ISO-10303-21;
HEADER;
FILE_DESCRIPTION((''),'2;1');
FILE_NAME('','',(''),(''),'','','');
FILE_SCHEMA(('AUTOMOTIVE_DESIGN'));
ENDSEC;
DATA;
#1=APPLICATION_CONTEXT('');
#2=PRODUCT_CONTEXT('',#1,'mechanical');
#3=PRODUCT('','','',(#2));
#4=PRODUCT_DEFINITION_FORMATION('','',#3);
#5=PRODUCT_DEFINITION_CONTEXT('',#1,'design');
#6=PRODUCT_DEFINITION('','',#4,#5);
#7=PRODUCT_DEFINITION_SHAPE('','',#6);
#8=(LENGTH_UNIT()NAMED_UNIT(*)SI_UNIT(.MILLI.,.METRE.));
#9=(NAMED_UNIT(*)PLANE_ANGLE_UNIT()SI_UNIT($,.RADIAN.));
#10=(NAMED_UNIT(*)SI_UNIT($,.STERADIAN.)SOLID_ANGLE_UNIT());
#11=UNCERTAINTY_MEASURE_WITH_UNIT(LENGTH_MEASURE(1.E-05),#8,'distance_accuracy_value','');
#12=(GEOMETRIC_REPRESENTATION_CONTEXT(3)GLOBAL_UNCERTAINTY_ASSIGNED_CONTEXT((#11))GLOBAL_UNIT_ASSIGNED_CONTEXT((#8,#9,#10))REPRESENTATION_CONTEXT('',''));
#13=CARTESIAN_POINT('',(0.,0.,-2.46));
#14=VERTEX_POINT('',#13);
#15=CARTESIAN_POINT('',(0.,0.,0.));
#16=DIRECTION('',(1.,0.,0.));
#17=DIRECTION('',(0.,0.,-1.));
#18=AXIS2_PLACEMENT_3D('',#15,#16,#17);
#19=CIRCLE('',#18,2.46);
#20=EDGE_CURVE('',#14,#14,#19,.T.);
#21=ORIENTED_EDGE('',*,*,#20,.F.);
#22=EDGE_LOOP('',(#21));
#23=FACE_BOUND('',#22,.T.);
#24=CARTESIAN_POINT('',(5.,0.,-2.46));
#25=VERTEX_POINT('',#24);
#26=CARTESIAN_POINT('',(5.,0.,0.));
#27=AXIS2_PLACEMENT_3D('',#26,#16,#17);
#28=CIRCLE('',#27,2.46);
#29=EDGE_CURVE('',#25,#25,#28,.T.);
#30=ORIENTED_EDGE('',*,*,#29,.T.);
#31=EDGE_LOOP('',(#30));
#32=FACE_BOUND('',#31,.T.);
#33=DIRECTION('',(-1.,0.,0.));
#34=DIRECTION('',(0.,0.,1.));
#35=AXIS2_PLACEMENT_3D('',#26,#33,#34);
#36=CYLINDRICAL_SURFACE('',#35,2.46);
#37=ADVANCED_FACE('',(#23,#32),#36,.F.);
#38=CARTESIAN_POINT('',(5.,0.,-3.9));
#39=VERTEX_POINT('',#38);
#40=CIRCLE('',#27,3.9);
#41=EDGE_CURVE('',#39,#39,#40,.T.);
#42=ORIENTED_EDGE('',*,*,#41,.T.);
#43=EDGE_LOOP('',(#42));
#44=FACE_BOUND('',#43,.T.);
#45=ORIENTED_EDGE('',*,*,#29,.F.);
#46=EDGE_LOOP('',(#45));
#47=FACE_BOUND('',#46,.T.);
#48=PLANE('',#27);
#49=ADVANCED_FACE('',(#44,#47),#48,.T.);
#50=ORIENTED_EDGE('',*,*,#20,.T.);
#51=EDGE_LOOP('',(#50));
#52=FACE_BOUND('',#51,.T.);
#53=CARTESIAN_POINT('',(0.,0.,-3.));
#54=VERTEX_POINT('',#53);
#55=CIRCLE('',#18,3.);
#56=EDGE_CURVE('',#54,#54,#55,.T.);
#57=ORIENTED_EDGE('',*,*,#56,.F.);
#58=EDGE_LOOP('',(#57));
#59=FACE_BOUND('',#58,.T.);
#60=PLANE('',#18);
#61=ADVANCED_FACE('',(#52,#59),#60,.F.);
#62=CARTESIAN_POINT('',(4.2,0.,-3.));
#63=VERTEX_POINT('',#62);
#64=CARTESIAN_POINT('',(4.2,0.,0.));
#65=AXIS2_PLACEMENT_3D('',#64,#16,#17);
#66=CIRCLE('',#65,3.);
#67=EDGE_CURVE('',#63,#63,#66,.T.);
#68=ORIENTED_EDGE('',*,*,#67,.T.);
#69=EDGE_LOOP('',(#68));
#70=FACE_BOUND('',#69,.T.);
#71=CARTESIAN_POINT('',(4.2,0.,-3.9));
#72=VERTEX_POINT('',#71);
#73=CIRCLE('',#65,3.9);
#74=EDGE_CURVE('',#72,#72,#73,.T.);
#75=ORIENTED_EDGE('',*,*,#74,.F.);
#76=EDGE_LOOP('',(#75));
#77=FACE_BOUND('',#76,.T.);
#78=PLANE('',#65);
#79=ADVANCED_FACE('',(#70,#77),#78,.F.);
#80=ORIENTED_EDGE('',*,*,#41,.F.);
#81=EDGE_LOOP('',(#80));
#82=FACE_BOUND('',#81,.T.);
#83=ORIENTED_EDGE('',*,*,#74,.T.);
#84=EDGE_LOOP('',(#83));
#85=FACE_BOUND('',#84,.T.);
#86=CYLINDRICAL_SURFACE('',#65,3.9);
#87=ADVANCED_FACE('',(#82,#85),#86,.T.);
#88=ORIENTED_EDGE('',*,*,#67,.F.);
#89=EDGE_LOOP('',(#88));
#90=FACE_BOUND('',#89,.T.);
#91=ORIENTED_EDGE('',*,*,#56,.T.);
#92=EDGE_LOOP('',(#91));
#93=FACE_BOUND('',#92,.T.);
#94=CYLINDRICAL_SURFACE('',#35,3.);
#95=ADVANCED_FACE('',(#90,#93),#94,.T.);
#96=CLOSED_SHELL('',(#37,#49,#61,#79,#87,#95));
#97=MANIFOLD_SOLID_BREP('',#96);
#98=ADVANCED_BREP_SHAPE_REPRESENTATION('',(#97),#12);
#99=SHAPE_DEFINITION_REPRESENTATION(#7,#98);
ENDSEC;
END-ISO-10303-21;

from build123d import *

# Parameters (mm, degrees)
SKETCH_1_R      = 3
SKETCH_1_R_2    = 2.46
EXTRUDE_1_DEPTH = 5
EXTRUDE_START   = -0.8
SKETCH_2_R      = 3.9
SKETCH_2_R_2    = 2.46
EXTRUDE_2_DEPTH = 0.8


with BuildPart() as part:
    # 草图1 → 凸台-拉伸1 (new body)
    with BuildSketch(Plane(origin=(0, 0, 0), x_dir=(0, 0, -1), z_dir=(1, 0, 0))):
        Circle(SKETCH_1_R)
        Circle(SKETCH_1_R_2, mode=Mode.SUBTRACT)
    extrude(amount=EXTRUDE_1_DEPTH)

    # 草图2 → 凸台-拉伸2 (add)
    with BuildSketch(Plane(origin=(5, 0, 0), x_dir=(0, 0, -1), z_dir=(1, 0, 0)).offset(EXTRUDE_START)):
        Circle(SKETCH_2_R)
        Circle(SKETCH_2_R_2, mode=Mode.SUBTRACT)
    extrude(amount=EXTRUDE_2_DEPTH)


solid = part.part
